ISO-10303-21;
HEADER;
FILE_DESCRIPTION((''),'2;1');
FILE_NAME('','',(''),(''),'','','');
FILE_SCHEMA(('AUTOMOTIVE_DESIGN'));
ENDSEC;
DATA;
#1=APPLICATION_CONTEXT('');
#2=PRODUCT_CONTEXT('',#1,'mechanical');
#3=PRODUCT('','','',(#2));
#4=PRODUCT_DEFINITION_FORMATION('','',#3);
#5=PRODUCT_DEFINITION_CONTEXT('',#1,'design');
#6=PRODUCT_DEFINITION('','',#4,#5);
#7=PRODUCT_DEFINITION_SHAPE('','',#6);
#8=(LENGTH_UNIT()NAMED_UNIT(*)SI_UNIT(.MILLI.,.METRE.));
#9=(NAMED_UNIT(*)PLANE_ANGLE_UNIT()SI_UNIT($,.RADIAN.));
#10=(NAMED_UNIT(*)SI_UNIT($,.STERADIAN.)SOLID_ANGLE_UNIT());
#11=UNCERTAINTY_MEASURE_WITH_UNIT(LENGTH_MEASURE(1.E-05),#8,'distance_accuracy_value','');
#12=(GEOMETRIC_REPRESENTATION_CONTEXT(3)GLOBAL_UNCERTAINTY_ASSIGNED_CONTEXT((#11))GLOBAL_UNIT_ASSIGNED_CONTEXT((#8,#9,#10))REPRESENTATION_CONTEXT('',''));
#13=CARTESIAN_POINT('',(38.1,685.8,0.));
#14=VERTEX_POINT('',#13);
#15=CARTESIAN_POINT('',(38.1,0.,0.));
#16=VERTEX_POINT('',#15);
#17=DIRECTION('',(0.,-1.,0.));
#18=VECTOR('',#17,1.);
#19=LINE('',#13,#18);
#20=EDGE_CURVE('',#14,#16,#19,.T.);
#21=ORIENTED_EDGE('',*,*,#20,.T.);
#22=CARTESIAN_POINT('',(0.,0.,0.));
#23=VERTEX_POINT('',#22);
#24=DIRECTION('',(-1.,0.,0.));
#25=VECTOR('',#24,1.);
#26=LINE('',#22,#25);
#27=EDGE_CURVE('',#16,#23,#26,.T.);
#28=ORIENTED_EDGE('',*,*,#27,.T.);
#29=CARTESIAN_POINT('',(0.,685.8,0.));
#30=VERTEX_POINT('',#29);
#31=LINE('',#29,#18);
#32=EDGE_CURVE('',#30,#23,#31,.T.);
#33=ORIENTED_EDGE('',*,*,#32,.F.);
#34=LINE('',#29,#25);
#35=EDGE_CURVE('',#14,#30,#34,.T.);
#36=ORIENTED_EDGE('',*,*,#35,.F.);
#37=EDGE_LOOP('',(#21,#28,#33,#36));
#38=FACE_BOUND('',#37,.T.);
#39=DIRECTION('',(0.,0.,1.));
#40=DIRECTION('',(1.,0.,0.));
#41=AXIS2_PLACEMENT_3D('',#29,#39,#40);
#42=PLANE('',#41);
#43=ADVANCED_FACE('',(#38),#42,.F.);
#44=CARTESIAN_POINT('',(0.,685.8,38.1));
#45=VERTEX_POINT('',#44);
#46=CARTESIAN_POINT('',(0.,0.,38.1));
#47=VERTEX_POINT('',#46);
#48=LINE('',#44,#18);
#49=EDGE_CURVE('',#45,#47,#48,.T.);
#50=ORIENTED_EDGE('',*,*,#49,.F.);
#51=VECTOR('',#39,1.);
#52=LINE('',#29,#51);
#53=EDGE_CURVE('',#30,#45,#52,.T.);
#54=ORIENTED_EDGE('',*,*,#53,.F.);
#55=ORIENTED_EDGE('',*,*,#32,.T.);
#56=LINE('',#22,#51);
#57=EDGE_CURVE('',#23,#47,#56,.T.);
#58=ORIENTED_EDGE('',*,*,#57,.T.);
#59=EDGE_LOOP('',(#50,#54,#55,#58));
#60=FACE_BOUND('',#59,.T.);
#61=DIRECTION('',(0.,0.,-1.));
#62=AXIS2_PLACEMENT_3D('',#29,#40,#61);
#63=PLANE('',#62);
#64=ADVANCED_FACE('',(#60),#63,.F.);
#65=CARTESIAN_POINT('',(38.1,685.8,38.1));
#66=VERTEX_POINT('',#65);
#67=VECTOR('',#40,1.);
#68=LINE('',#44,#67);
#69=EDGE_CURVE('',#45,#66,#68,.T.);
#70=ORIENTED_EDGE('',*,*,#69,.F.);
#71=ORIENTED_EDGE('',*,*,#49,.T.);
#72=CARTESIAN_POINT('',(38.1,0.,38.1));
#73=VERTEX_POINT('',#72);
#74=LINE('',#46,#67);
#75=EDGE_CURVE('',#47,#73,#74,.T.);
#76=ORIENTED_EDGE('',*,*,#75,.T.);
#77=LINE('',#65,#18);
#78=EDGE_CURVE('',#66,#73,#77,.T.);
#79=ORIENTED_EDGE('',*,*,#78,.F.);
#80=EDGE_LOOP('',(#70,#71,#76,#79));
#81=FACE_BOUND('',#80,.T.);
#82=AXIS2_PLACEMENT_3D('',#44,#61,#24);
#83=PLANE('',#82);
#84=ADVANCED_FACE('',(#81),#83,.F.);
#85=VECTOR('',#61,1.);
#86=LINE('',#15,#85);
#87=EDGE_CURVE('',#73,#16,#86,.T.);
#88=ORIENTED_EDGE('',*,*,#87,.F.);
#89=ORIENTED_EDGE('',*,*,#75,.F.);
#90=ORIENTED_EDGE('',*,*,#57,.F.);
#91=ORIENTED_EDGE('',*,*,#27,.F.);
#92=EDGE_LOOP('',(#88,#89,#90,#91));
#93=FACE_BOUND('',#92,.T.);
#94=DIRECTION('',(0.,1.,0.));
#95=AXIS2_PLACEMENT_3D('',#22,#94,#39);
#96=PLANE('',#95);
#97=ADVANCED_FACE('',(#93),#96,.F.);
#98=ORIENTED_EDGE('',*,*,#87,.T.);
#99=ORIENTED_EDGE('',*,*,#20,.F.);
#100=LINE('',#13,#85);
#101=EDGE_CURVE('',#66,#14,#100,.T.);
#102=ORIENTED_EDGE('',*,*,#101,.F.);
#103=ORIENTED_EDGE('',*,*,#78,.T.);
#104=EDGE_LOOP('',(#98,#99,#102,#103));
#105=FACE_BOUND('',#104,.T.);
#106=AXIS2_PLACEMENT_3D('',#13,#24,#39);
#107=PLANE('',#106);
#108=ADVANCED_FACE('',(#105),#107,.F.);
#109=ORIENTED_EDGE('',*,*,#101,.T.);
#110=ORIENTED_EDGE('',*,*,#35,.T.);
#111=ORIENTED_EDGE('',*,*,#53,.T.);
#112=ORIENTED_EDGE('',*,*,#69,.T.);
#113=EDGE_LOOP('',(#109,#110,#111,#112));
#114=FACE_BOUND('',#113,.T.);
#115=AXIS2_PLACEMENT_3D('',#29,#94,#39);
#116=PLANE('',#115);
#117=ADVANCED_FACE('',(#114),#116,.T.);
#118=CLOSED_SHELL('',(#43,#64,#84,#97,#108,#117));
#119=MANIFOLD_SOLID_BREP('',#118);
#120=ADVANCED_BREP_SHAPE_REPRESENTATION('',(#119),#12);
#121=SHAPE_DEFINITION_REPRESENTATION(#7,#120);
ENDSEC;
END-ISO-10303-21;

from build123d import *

# Parameters (mm, degrees)
SKETCH1_W           = 38.1
SKETCH1_H           = 38.1
BOSS_EXTRUDE1_DEPTH = 685.8


with BuildPart() as part:
    # Sketch1 → Boss-Extrude1 (new body)
    with BuildSketch(Plane(origin=(0, 0, 0), x_dir=(1, 0, 0), z_dir=(0, 1, 0))):
        with Locations((19.05, -19.05)):
            Rectangle(SKETCH1_W, SKETCH1_H)
    extrude(amount=BOSS_EXTRUDE1_DEPTH)


solid = part.part
